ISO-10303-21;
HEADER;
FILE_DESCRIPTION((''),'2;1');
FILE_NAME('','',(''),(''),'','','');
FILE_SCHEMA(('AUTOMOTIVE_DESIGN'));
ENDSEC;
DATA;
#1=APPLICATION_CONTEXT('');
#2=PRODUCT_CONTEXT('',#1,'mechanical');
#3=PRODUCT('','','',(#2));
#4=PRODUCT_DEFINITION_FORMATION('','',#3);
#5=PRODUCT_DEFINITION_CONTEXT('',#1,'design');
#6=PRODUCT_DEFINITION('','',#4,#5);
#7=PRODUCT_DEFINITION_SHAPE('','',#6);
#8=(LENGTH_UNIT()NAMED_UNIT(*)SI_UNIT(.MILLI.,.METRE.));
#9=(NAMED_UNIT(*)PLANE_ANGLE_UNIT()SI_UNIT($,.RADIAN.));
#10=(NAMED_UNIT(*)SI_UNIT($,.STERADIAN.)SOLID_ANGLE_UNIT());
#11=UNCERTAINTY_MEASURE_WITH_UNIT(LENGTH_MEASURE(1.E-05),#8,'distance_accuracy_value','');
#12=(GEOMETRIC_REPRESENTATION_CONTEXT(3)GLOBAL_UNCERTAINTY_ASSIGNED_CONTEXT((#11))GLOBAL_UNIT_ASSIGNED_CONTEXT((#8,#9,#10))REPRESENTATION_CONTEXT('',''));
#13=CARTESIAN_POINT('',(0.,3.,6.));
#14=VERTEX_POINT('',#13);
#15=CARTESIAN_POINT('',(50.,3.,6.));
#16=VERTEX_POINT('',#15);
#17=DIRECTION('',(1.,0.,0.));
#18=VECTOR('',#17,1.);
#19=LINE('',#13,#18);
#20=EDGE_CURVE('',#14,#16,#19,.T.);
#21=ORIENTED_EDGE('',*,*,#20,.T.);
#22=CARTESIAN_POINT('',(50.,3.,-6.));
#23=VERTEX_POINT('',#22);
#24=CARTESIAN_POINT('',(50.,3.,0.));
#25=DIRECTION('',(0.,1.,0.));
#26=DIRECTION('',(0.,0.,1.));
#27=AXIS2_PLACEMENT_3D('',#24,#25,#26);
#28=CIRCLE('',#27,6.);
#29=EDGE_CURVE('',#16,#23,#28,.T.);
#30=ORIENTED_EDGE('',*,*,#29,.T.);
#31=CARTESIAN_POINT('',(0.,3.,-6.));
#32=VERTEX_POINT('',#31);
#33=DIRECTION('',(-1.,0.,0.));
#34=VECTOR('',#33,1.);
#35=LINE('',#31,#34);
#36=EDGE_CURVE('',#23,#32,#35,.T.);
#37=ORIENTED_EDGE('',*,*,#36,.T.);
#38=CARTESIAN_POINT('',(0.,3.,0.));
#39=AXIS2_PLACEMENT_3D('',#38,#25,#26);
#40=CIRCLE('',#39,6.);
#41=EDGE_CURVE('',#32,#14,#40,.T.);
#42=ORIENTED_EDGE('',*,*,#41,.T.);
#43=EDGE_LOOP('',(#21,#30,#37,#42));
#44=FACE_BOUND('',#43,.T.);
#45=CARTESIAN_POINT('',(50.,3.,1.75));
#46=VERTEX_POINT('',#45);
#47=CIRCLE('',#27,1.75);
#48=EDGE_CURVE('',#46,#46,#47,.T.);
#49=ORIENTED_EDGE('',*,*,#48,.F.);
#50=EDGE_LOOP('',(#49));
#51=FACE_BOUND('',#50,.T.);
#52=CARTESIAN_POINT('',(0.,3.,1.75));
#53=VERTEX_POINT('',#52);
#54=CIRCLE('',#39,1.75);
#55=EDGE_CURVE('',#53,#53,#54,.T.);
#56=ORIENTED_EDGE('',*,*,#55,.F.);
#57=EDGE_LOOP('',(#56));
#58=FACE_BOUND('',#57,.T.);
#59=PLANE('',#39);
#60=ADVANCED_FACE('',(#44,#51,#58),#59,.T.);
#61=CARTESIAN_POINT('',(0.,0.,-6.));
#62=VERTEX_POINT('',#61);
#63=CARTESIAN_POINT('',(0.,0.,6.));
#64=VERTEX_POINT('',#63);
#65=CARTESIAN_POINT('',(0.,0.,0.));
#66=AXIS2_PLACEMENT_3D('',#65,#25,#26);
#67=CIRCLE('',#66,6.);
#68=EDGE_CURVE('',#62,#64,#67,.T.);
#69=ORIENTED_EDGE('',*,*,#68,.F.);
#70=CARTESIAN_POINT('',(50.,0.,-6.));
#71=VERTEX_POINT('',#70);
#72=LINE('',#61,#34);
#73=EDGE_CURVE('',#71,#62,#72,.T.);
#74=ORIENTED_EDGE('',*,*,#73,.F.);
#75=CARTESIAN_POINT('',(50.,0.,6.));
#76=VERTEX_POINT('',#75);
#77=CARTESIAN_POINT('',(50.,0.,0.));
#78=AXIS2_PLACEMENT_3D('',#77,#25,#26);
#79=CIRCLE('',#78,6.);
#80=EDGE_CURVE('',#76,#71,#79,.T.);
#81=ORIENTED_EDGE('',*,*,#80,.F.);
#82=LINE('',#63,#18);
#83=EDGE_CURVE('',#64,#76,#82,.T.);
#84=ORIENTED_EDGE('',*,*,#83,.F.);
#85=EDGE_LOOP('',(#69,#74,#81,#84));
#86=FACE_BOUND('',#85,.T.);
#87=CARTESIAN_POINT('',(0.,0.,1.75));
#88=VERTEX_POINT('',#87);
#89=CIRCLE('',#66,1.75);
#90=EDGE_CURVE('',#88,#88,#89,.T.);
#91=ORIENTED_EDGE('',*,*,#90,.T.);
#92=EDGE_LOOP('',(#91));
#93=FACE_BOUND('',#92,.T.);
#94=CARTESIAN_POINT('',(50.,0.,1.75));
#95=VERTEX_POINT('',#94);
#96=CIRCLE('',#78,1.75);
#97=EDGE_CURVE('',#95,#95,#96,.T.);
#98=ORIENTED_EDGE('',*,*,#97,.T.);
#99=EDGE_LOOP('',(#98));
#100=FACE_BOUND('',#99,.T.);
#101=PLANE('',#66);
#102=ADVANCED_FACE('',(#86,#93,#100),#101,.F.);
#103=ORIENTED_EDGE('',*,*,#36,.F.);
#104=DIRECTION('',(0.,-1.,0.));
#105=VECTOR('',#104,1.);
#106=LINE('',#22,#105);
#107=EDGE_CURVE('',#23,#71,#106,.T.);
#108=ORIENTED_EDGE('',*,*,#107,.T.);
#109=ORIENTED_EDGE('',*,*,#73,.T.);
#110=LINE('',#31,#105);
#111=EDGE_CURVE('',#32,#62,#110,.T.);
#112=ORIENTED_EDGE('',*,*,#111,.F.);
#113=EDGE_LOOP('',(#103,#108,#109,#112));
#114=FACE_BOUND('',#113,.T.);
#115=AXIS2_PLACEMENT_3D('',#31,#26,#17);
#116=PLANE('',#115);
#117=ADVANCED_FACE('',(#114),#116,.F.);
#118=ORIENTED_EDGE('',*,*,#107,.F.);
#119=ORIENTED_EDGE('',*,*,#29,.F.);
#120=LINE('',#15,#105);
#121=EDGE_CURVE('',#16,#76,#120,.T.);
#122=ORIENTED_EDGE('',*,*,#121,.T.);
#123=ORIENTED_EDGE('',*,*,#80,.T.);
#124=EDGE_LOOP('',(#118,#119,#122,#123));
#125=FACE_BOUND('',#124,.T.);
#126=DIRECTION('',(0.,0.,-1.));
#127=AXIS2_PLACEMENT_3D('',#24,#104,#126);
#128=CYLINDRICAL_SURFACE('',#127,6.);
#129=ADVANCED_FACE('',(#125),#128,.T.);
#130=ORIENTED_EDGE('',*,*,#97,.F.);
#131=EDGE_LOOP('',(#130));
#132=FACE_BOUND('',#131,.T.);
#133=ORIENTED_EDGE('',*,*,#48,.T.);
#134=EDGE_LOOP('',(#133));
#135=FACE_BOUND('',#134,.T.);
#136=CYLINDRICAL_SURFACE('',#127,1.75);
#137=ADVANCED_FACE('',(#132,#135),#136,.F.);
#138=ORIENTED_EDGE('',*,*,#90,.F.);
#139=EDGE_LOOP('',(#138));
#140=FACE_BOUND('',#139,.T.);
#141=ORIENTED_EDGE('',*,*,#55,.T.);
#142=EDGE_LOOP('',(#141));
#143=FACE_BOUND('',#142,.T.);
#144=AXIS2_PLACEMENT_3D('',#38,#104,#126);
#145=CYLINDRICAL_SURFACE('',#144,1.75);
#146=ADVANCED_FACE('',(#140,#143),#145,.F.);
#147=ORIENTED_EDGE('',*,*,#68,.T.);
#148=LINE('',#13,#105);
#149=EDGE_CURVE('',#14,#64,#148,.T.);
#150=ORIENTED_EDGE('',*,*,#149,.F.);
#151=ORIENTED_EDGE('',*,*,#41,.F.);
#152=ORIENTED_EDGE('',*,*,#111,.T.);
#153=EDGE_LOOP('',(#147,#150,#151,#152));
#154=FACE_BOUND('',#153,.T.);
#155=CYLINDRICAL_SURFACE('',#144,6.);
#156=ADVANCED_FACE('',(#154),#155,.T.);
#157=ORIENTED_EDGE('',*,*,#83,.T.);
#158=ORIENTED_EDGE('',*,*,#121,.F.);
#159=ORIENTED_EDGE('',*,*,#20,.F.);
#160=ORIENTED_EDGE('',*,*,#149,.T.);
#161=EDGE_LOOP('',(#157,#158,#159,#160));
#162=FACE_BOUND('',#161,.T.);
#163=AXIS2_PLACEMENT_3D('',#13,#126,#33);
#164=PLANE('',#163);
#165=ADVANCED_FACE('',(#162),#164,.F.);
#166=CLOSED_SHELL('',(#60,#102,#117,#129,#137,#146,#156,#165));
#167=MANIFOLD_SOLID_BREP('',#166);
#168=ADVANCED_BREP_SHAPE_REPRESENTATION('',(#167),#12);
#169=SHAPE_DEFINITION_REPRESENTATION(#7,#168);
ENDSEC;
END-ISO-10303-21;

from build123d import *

# Parameters (mm, degrees)
SKETCH_1_R      = 1.75
EXTRUDE_1_DEPTH = 3


with BuildPart() as part:
    # 草圖1 → 填料-伸長1 (new body)
    with BuildSketch(Plane(origin=(0, 0, 0), x_dir=(1, 0, 0), z_dir=(0, 1, 0))):
        with BuildLine():
            Line((0, 6), (50, 6))
            ThreePointArc((50, 6), (56, 0), (50, -6))
            Line((50, -6), (0, -6))
            ThreePointArc((0, -6), (-6, 0), (0, 6))
        make_face()
        Circle(SKETCH_1_R, mode=Mode.SUBTRACT)
        with Locations((50, 0)):
            Circle(SKETCH_1_R, mode=Mode.SUBTRACT)
    extrude(amount=EXTRUDE_1_DEPTH)


solid = part.part
